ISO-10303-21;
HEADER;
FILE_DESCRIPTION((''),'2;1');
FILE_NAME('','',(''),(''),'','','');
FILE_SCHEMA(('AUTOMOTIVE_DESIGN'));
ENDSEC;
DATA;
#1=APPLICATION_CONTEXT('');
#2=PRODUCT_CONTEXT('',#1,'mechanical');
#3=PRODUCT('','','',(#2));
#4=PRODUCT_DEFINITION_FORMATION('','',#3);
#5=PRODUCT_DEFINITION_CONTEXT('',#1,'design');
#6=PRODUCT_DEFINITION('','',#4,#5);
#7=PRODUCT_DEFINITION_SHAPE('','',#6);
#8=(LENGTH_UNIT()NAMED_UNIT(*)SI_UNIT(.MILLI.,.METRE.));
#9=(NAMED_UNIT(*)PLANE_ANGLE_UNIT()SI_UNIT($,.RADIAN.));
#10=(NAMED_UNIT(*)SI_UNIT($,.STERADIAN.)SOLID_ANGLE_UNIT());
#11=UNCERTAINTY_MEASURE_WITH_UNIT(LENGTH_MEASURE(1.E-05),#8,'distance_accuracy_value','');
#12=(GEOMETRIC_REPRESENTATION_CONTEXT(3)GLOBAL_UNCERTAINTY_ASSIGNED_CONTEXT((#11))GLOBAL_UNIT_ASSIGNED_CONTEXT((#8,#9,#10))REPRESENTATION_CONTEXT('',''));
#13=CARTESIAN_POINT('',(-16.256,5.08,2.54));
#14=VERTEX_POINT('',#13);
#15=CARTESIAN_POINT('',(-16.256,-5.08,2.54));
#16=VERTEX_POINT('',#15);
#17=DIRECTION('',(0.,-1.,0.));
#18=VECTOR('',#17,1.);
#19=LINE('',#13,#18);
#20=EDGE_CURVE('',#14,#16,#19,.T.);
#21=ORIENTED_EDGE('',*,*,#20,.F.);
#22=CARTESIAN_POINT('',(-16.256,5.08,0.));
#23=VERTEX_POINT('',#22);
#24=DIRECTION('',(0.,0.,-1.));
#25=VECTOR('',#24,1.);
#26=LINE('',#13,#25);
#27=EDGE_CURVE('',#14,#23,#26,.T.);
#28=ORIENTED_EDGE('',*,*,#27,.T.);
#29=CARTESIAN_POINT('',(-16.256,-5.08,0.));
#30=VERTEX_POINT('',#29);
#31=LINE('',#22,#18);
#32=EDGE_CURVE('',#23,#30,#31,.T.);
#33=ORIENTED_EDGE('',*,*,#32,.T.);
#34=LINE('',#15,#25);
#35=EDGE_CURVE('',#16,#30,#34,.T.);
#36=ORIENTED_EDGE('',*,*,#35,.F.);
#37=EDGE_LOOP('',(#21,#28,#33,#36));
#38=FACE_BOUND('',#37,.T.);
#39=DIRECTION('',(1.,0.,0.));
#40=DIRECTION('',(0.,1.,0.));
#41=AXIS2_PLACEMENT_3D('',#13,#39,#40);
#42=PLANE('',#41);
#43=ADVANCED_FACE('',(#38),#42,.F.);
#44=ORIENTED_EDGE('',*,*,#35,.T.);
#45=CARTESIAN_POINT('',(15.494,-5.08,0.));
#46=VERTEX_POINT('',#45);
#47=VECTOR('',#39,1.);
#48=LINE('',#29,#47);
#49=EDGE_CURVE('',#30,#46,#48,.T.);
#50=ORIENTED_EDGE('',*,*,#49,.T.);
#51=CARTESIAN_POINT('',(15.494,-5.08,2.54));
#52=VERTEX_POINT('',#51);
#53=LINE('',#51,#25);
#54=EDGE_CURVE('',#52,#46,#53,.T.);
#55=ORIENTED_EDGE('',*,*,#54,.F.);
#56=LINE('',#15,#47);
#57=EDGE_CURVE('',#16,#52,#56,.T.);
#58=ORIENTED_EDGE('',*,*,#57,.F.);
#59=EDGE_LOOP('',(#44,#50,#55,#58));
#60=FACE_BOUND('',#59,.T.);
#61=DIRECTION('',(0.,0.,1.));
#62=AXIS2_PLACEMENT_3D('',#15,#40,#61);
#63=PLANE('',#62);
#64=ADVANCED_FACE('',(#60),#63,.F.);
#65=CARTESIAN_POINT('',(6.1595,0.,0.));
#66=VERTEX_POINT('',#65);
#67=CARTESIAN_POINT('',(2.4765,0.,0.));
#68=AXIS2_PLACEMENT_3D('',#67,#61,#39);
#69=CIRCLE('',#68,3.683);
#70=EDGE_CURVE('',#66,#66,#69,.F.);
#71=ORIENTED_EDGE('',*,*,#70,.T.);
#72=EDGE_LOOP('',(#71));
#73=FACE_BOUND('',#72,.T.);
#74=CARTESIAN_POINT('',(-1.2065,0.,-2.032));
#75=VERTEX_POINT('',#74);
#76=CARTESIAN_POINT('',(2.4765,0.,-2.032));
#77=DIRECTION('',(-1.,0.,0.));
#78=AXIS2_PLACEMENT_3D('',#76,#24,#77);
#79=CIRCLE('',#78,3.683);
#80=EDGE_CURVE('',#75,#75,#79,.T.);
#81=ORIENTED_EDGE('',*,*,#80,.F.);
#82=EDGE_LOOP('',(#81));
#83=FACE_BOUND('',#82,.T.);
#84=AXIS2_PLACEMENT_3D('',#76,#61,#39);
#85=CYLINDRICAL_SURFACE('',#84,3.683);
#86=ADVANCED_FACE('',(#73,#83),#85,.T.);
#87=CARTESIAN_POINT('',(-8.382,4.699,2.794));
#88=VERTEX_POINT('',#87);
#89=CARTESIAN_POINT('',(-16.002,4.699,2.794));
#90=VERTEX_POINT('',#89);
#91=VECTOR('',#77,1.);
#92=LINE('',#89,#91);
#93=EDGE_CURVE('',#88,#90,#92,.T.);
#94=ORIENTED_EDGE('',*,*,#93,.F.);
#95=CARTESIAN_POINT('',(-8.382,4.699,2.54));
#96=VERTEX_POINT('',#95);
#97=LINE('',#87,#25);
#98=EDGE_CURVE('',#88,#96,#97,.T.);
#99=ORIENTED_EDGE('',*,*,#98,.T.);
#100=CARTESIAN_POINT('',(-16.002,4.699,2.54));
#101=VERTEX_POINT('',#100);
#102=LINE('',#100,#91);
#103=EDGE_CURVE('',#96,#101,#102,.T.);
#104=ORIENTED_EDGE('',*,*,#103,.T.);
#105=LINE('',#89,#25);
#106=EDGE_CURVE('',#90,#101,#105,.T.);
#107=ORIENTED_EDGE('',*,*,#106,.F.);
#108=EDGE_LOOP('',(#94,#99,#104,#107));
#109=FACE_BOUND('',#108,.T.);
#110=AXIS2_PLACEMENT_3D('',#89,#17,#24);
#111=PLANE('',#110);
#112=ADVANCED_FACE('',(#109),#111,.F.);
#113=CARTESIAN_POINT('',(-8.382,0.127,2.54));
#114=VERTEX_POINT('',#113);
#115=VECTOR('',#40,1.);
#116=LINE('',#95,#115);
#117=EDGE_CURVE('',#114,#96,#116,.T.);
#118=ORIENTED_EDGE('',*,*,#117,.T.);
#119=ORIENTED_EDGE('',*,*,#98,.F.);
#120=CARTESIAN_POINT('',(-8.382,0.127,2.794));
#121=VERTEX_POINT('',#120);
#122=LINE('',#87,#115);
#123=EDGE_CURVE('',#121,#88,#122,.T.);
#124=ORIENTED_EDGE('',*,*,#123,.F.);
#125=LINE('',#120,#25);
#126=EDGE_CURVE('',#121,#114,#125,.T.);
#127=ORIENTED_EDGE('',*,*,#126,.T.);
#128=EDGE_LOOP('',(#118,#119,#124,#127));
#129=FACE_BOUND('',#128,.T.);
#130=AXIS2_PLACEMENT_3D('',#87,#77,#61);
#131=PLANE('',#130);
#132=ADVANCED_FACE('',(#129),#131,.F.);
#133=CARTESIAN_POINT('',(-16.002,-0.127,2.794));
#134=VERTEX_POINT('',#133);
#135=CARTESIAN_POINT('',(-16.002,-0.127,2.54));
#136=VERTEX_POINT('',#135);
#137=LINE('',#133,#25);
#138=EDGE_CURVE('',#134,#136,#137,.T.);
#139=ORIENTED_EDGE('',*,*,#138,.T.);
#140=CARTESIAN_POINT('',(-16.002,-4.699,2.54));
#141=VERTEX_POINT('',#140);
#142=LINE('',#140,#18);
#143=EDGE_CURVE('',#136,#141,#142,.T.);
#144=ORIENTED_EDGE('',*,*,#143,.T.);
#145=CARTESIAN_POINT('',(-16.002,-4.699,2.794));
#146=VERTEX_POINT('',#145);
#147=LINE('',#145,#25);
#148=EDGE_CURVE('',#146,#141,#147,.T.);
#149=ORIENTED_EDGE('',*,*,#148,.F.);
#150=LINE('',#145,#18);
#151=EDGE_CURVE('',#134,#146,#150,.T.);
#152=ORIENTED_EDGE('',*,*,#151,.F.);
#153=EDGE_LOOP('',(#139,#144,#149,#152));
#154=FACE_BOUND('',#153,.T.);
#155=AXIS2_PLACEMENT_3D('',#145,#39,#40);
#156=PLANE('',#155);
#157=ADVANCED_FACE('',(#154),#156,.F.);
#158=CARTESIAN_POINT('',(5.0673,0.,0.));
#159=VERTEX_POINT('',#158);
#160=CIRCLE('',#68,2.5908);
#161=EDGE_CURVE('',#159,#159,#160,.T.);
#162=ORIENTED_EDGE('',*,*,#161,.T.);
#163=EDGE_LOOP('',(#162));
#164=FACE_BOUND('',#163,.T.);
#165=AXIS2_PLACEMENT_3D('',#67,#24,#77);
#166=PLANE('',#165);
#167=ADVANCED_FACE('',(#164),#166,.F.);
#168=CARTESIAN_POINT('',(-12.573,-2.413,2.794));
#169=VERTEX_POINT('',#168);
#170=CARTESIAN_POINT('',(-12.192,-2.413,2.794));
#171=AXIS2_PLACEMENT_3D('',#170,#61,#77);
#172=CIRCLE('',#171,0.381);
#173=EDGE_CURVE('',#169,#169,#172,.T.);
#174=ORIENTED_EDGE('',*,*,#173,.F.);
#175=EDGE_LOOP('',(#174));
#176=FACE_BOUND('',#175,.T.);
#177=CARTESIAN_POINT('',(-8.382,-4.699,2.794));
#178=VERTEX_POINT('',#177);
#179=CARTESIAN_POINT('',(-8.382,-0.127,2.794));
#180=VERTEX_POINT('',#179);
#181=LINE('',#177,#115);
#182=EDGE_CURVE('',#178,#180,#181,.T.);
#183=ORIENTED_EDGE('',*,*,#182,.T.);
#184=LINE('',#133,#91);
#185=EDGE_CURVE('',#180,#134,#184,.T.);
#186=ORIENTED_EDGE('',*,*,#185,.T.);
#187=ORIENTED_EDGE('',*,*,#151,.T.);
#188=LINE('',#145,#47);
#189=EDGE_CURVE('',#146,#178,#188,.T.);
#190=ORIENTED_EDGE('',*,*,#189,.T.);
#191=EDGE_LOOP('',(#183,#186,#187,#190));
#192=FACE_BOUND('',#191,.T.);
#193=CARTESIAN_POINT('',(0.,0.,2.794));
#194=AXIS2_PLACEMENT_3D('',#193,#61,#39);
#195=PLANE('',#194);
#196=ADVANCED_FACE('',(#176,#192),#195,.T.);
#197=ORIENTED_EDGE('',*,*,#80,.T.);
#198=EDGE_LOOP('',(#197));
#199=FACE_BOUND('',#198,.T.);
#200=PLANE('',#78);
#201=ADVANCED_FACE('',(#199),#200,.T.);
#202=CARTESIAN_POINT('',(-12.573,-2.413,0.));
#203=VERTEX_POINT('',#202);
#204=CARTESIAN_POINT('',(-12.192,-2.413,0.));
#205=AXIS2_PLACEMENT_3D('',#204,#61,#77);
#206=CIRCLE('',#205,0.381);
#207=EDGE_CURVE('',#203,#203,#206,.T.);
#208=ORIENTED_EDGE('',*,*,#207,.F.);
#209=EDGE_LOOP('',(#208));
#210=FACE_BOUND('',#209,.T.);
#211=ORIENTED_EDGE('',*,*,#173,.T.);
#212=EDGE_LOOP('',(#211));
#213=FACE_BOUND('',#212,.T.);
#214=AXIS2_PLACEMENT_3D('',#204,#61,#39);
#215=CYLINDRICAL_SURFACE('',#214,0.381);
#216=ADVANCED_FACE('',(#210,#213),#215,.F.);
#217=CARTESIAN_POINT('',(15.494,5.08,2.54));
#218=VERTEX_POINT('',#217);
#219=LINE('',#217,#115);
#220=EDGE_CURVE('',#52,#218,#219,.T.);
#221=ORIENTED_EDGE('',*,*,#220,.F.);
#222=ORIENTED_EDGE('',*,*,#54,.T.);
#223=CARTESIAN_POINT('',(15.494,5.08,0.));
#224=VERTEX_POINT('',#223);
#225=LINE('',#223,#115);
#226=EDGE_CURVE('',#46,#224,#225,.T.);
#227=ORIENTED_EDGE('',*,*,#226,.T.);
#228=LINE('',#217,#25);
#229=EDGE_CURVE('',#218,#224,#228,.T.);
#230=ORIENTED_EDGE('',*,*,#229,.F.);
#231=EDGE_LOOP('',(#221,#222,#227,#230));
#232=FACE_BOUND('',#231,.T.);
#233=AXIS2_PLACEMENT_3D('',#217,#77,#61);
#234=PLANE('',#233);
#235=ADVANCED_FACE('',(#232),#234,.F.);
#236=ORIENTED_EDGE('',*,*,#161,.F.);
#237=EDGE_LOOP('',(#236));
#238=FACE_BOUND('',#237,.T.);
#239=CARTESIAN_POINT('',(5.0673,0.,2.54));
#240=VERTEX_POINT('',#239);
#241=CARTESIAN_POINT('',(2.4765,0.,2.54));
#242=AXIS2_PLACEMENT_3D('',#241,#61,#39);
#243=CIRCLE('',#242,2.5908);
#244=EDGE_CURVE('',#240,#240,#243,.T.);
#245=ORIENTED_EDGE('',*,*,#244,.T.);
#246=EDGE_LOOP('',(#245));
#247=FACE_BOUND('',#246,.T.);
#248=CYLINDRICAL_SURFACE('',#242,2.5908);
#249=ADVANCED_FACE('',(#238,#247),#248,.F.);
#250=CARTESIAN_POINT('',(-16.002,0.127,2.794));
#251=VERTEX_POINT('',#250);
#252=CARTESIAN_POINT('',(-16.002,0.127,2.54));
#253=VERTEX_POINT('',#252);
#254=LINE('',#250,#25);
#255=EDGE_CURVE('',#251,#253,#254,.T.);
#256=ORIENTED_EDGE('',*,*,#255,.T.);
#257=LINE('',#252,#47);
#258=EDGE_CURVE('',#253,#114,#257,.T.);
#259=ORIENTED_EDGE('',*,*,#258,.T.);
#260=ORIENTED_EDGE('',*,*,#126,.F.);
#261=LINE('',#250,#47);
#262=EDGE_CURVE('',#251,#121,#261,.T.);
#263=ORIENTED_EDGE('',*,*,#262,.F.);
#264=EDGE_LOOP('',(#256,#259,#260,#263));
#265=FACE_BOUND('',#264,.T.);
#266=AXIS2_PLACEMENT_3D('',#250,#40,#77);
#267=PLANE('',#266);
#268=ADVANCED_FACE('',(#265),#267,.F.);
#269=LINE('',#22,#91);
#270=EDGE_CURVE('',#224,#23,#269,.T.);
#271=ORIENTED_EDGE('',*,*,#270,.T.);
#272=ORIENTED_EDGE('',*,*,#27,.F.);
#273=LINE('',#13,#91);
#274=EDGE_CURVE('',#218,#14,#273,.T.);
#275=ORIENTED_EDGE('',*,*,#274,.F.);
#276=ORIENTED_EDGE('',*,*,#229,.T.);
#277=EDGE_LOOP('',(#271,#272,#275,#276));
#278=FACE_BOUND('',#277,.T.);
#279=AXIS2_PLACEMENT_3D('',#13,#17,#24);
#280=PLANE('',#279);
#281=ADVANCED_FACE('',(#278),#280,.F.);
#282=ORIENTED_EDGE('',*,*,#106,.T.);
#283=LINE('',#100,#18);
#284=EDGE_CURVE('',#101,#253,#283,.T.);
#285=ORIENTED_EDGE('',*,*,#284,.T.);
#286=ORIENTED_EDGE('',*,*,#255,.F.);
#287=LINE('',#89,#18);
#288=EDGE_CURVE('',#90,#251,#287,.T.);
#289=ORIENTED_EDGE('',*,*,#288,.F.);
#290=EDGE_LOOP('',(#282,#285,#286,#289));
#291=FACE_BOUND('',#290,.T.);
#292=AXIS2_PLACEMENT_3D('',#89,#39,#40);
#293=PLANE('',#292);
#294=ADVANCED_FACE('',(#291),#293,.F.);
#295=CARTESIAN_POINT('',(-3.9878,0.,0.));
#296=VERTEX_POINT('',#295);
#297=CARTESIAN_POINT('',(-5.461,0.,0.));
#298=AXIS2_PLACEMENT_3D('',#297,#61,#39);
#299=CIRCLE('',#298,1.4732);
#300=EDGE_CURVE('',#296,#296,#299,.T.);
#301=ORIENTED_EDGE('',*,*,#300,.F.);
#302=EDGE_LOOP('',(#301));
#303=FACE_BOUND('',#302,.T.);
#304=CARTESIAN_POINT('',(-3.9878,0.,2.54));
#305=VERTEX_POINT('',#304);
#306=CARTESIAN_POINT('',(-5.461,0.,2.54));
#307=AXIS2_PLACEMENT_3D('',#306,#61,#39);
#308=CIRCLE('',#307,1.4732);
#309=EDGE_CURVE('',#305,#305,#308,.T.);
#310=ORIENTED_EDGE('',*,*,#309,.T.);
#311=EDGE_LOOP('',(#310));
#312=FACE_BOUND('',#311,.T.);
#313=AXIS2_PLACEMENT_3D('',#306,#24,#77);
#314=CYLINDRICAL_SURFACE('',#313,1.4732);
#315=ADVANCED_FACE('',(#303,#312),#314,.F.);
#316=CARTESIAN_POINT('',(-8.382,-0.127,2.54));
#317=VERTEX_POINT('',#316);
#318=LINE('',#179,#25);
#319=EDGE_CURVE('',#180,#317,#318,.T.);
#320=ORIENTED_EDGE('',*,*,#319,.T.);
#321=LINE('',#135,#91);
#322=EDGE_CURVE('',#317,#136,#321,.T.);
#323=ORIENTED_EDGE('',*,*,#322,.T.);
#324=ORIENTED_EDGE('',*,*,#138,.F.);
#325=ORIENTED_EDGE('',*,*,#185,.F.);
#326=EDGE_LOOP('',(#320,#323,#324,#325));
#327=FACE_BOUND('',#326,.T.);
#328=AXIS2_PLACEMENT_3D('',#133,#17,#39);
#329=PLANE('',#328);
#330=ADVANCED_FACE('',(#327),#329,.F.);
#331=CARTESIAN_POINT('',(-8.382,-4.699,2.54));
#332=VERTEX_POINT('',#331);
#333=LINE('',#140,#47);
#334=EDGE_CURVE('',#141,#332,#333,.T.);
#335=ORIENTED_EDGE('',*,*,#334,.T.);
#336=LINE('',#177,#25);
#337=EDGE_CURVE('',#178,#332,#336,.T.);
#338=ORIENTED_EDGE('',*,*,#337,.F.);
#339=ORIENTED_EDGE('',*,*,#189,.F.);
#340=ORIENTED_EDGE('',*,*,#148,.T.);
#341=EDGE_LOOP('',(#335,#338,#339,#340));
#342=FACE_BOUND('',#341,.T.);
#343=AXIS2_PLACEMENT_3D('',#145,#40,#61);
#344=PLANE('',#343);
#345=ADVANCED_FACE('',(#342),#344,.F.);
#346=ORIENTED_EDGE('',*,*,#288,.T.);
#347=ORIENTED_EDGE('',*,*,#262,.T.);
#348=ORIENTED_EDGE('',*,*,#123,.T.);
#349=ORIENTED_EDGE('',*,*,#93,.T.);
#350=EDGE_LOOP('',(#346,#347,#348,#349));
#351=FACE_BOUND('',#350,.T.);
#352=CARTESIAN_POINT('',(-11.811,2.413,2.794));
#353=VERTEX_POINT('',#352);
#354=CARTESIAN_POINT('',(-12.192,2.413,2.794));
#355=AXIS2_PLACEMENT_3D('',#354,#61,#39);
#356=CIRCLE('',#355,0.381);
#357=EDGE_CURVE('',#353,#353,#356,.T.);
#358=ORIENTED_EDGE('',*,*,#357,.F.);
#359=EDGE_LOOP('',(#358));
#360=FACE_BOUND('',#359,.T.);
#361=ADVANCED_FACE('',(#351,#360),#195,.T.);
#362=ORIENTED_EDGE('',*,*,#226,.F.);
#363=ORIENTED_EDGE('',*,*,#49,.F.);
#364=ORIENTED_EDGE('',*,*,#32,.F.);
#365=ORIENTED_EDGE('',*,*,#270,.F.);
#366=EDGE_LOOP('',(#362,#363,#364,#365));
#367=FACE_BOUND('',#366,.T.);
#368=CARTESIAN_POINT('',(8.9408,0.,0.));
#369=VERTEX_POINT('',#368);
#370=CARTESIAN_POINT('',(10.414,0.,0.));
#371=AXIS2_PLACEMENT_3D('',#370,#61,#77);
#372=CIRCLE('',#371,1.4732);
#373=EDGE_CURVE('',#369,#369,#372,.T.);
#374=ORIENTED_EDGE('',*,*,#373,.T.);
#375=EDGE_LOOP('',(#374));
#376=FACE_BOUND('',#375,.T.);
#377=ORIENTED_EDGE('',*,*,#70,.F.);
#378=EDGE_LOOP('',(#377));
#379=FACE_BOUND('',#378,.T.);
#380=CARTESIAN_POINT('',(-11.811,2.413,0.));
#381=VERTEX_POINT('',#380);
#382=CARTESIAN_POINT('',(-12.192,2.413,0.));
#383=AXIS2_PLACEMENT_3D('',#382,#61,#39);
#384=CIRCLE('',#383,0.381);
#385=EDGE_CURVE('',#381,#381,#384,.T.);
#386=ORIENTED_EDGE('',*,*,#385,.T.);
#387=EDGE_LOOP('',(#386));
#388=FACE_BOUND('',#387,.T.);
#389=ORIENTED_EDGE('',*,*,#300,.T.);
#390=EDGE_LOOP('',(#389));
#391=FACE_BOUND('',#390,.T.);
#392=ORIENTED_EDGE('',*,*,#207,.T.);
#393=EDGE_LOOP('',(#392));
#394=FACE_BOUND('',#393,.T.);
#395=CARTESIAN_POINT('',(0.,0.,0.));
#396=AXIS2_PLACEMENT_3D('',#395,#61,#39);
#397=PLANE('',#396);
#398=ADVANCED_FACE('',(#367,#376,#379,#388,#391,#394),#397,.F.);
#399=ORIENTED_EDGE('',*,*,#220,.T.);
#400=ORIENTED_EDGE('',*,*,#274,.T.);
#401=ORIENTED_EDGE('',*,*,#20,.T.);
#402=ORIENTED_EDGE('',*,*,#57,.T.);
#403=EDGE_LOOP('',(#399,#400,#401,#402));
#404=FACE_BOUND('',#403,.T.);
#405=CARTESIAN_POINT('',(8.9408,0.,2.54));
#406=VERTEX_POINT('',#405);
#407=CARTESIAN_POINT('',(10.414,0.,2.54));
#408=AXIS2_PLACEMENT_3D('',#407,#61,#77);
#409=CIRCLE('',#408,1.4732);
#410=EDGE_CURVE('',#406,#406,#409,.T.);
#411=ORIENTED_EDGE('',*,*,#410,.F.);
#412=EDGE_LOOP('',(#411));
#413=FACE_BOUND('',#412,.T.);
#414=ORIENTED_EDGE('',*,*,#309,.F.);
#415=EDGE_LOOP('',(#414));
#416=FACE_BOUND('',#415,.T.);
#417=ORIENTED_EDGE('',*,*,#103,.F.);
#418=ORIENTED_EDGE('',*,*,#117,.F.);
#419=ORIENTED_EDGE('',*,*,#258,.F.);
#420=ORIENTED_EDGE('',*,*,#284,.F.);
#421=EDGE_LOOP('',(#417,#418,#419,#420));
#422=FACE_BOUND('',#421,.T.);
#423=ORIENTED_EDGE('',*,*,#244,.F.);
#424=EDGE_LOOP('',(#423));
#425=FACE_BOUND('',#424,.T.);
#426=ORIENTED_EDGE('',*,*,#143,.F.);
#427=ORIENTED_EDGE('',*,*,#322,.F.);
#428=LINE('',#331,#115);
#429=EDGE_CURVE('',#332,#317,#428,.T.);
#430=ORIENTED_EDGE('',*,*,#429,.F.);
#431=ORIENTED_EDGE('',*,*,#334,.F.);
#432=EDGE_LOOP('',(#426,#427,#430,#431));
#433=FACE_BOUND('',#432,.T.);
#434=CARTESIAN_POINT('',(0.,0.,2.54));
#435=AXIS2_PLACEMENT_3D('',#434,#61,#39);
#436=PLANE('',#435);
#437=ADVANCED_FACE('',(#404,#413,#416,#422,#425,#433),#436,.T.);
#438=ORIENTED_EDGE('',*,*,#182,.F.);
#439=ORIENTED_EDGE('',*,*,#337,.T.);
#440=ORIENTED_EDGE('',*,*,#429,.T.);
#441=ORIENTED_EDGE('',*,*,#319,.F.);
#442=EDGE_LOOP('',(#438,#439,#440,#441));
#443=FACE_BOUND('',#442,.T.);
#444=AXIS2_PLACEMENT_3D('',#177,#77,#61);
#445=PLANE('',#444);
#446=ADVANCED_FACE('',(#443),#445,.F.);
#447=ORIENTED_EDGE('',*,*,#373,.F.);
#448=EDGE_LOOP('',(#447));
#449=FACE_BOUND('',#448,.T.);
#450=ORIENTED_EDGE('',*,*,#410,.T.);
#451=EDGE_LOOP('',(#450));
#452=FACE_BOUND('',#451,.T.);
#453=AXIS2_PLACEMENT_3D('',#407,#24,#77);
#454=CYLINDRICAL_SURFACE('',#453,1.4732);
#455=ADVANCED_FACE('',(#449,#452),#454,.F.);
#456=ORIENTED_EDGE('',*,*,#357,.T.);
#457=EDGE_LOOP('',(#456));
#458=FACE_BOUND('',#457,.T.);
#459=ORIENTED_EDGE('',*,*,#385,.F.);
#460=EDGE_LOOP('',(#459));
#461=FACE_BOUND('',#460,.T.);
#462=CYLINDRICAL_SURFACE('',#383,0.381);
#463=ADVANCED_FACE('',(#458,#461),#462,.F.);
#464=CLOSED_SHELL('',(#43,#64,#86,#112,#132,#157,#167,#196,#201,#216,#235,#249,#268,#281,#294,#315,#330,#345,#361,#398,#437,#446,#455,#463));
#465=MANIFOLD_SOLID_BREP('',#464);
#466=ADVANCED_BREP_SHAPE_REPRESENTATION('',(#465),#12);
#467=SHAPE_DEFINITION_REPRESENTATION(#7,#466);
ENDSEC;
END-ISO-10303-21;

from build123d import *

# Parameters (mm, degrees)
SKETCH2_W                  = 31.75
SKETCH2_H                  = 10.16
SKETCH2_R                  = 1.4732
BOSS_EXTRUDE1_DEPTH        = 2.54
F_6_0_204_DIAMETER_HOLE1_D = 5.1816
SKETCH5_W                  = 7.62
SKETCH5_H                  = 4.572
BOSS_EXTRUDE2_DEPTH        = 0.254
SKETCH6_R                  = 0.381
CUT_EXTRUDE1_DEPTH         = 3.794
SKETCH7_R                  = 3.683
BOSS_EXTRUDE3_DEPTH        = 2.032


with BuildPart() as part:
    # Sketch2 → Boss-Extrude1 (new body)
    with BuildSketch(Plane.XY):
        with Locations((-0.381, 0)):
            Rectangle(SKETCH2_W, SKETCH2_H)
        with Locations((-5.461, 0)):
            Circle(SKETCH2_R, mode=Mode.SUBTRACT)
        with Locations((10.414, 0)):
            Circle(SKETCH2_R, mode=Mode.SUBTRACT)
    extrude(amount=BOSS_EXTRUDE1_DEPTH)

    # #6 (0.204) Diameter Hole1 (through all)
    with Locations(Plane(origin=(2.4765, 0, 2.54), x_dir=(1, 0, 0), z_dir=(0, 0, 1))):
        with Locations((0, 0)):
            Hole(F_6_0_204_DIAMETER_HOLE1_D / 2)

    # Sketch5 → Boss-Extrude2 (add)
    with BuildSketch(Plane.XY.offset(2.54)):
        with Locations((-12.192, 2.413)):
            Rectangle(SKETCH5_W, SKETCH5_H)
        with Locations((-12.192, -2.413)):
            Rectangle(SKETCH5_W, SKETCH5_H)
    extrude(amount=BOSS_EXTRUDE2_DEPTH)

    # Sketch6 → Cut-Extrude1 (cut, through all)
    with BuildSketch(Plane.XY.offset(2.794)):
        with Locations((-12.192, 2.413)):
            Circle(SKETCH6_R)
        with Locations((-12.192, -2.413)):
            Circle(SKETCH6_R)
    extrude(amount=-CUT_EXTRUDE1_DEPTH, mode=Mode.SUBTRACT)

    # Sketch7 → Boss-Extrude3 (add)
    with BuildSketch(Plane(origin=(0, 0, 0), x_dir=(-1, 0, 0), z_dir=(0, 0, -1))):
        with Locations((-2.4765, 0)):
            Circle(SKETCH7_R)
    extrude(amount=BOSS_EXTRUDE3_DEPTH)


solid = part.part
